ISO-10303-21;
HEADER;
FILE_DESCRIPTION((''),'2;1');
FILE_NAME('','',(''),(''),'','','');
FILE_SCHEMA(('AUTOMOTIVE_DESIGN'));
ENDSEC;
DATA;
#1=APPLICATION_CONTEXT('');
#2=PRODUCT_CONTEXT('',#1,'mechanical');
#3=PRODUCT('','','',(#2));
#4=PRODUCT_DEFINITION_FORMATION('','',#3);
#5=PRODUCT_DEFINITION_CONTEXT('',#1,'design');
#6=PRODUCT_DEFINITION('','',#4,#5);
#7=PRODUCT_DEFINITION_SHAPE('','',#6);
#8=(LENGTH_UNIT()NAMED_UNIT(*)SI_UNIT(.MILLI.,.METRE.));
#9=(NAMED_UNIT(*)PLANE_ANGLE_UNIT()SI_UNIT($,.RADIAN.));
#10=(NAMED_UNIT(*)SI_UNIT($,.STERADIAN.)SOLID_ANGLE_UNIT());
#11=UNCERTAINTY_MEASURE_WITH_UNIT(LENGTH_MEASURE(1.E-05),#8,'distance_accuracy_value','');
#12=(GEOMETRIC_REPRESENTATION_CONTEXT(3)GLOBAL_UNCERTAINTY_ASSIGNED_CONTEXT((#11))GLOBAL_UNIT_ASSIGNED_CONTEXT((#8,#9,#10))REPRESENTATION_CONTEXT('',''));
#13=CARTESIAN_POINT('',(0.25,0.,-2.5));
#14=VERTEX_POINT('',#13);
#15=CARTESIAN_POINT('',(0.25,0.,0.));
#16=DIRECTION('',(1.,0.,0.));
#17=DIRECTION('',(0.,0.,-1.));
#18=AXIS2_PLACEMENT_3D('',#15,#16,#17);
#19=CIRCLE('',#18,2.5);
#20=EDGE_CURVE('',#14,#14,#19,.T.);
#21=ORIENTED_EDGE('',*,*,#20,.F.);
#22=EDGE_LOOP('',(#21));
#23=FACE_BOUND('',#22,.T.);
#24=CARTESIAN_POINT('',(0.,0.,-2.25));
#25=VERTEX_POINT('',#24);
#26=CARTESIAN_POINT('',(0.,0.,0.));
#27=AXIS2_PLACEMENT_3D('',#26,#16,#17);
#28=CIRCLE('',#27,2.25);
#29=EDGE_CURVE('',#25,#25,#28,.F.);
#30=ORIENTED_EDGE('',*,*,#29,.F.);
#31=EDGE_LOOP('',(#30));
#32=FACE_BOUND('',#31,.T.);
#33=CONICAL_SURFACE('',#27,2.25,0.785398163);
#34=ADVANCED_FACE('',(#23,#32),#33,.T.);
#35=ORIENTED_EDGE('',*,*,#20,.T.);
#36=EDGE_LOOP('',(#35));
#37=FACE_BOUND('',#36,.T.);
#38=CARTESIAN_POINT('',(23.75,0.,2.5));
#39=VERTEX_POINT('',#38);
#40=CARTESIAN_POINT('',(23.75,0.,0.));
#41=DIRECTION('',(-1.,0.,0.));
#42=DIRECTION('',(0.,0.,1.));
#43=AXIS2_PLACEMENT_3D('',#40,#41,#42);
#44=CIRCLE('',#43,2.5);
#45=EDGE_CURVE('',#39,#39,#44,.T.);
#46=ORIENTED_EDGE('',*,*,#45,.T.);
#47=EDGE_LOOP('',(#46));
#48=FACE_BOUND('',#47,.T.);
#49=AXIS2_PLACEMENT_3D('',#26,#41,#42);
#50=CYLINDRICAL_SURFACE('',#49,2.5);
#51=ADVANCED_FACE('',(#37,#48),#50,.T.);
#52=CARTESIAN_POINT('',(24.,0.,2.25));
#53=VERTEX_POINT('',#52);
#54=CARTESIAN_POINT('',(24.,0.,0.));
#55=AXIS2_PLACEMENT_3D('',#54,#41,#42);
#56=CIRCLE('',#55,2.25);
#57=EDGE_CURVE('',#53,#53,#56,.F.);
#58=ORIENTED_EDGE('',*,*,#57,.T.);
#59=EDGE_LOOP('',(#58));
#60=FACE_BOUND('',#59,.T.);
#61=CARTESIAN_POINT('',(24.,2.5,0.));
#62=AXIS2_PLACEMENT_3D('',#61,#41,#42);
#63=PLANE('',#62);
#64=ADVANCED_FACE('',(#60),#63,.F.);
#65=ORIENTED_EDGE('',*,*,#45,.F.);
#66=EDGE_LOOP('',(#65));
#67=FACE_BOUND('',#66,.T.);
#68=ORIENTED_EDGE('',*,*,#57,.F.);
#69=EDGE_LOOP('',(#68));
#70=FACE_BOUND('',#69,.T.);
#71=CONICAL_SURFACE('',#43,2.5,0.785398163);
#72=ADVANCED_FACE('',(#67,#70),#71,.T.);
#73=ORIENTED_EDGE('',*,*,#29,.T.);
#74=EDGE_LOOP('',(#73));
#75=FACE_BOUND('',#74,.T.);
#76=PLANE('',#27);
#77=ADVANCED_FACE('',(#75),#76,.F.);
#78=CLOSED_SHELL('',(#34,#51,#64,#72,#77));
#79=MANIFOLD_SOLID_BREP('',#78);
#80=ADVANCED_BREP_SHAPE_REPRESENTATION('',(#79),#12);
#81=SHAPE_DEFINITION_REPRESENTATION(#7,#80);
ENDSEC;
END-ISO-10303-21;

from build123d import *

# Parameters (mm, degrees)
SKETCH_1_W     = 24
SKETCH_1_H     = 2.5
CHAMFER_1_SIZE = 0.25


with BuildPart() as part:
    # Эскиз1 → Повернуть2 (revolve)
    with BuildSketch(Plane.XY):
        with Locations((12, 1.25)):
            Rectangle(SKETCH_1_W, SKETCH_1_H)
    revolve(axis=Axis((0, 0, 0), (1, 0, 0)))

    # Фаска1
    chamfer_1_edges = [part.edges().sort_by_distance(p)[0] for p in [
        (24, -2.5, 0),
        (0, -2.5, 0),
    ]]
    chamfer(chamfer_1_edges, length=CHAMFER_1_SIZE)


solid = part.part
